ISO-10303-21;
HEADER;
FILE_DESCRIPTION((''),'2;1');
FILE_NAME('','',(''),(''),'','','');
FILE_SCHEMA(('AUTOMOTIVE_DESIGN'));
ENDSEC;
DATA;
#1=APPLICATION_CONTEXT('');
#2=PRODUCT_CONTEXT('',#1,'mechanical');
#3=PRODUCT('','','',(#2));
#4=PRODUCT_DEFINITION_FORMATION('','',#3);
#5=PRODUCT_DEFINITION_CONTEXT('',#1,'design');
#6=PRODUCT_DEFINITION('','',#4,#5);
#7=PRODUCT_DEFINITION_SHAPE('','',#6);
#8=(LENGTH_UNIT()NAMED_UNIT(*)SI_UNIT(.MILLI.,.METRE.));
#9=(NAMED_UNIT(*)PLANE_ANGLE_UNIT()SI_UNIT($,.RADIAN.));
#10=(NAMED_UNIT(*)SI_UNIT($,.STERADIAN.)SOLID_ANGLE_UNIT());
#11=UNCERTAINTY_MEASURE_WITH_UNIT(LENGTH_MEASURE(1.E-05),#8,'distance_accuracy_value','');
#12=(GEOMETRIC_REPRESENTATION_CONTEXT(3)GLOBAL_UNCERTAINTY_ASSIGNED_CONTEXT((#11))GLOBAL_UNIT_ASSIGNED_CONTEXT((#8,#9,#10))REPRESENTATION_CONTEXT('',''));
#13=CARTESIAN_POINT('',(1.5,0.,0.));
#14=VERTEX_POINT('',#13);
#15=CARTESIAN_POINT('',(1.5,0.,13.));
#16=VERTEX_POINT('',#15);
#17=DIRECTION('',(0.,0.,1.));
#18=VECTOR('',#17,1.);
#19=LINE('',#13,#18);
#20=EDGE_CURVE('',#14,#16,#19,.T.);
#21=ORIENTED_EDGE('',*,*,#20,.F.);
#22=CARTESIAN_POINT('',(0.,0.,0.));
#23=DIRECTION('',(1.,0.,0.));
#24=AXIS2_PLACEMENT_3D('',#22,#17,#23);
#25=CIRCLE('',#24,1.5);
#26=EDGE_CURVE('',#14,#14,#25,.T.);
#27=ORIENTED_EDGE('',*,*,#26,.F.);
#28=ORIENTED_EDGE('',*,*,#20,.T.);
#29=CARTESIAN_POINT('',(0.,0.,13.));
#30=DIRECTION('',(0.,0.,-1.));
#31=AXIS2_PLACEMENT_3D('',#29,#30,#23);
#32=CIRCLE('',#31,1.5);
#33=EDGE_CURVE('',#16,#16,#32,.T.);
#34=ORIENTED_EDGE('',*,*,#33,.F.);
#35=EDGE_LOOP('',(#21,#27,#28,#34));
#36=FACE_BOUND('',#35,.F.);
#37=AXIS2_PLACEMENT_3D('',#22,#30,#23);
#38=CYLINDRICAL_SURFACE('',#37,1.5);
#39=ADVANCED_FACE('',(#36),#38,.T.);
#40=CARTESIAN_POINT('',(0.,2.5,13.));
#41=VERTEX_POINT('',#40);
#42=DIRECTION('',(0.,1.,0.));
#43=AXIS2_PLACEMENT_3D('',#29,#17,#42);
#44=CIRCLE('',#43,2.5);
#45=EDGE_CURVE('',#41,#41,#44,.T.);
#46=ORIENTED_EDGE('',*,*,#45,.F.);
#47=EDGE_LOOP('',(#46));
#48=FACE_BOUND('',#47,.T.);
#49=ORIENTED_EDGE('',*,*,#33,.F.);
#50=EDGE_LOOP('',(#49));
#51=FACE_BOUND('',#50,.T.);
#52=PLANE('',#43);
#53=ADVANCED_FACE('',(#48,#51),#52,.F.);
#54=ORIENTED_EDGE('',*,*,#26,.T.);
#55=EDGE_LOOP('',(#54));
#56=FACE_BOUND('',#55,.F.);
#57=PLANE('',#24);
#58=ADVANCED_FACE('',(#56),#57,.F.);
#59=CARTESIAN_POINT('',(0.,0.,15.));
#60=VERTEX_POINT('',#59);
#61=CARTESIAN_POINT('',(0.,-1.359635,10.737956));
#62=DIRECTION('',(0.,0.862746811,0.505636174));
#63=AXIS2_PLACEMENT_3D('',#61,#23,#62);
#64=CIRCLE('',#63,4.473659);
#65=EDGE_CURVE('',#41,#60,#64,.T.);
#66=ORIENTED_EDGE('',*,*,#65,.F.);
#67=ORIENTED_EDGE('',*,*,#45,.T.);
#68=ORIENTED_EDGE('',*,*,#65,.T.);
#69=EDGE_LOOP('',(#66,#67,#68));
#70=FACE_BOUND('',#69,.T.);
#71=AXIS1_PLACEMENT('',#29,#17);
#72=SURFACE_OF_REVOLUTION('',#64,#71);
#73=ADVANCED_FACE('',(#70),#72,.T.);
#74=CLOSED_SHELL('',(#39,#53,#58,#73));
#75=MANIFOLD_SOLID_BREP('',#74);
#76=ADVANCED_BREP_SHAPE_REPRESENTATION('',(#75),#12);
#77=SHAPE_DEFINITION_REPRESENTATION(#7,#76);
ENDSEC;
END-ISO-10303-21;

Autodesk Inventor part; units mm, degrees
ref_plane "YZ Plane" through (0, 0, 0) normal (1, 0, 0) x (0, 1, 0)
ref_plane "XZ Plane" through (0, 0, 0) normal (0, 1, 0) x (-1, 0, 0)
ref_plane "XY Plane" through (0, 0, 0) normal (0, 0, 1) x (1, 0, 0)
sketch "Sketch1" plane through (0, 0, 0) normal (0, 0, 1) x (1, 0, 0)
  circle A0 centre (0, 0) radius 1.5
  dimension "d0" = 3
extrude "Extrusion1" add sketch "Sketch1" along normal blind 13
sketch "Sketch2" plane through (0, 0, 0) normal (1, 0, 0) x (0, 1, 0)
  line L0 (1.5, 13) -> (-1.5, 13) projected
  line L1 (0, 13) -> (0, 15)
  line L2 (0, 13) -> (2.5, 13)
  arc A0 (2.5, 13) -> (0, 15) centre (-1.3597, 10.7379) ccw
  point P0 (0, 0)
  dimension "d3" = 2.5
revolve "Revolution1" add sketch "Sketch2" angle 360 about axis through (0, 0, 13) along (0, 0, 1)
properties part number "m3_bolt" material "Steel, Galvanized"
